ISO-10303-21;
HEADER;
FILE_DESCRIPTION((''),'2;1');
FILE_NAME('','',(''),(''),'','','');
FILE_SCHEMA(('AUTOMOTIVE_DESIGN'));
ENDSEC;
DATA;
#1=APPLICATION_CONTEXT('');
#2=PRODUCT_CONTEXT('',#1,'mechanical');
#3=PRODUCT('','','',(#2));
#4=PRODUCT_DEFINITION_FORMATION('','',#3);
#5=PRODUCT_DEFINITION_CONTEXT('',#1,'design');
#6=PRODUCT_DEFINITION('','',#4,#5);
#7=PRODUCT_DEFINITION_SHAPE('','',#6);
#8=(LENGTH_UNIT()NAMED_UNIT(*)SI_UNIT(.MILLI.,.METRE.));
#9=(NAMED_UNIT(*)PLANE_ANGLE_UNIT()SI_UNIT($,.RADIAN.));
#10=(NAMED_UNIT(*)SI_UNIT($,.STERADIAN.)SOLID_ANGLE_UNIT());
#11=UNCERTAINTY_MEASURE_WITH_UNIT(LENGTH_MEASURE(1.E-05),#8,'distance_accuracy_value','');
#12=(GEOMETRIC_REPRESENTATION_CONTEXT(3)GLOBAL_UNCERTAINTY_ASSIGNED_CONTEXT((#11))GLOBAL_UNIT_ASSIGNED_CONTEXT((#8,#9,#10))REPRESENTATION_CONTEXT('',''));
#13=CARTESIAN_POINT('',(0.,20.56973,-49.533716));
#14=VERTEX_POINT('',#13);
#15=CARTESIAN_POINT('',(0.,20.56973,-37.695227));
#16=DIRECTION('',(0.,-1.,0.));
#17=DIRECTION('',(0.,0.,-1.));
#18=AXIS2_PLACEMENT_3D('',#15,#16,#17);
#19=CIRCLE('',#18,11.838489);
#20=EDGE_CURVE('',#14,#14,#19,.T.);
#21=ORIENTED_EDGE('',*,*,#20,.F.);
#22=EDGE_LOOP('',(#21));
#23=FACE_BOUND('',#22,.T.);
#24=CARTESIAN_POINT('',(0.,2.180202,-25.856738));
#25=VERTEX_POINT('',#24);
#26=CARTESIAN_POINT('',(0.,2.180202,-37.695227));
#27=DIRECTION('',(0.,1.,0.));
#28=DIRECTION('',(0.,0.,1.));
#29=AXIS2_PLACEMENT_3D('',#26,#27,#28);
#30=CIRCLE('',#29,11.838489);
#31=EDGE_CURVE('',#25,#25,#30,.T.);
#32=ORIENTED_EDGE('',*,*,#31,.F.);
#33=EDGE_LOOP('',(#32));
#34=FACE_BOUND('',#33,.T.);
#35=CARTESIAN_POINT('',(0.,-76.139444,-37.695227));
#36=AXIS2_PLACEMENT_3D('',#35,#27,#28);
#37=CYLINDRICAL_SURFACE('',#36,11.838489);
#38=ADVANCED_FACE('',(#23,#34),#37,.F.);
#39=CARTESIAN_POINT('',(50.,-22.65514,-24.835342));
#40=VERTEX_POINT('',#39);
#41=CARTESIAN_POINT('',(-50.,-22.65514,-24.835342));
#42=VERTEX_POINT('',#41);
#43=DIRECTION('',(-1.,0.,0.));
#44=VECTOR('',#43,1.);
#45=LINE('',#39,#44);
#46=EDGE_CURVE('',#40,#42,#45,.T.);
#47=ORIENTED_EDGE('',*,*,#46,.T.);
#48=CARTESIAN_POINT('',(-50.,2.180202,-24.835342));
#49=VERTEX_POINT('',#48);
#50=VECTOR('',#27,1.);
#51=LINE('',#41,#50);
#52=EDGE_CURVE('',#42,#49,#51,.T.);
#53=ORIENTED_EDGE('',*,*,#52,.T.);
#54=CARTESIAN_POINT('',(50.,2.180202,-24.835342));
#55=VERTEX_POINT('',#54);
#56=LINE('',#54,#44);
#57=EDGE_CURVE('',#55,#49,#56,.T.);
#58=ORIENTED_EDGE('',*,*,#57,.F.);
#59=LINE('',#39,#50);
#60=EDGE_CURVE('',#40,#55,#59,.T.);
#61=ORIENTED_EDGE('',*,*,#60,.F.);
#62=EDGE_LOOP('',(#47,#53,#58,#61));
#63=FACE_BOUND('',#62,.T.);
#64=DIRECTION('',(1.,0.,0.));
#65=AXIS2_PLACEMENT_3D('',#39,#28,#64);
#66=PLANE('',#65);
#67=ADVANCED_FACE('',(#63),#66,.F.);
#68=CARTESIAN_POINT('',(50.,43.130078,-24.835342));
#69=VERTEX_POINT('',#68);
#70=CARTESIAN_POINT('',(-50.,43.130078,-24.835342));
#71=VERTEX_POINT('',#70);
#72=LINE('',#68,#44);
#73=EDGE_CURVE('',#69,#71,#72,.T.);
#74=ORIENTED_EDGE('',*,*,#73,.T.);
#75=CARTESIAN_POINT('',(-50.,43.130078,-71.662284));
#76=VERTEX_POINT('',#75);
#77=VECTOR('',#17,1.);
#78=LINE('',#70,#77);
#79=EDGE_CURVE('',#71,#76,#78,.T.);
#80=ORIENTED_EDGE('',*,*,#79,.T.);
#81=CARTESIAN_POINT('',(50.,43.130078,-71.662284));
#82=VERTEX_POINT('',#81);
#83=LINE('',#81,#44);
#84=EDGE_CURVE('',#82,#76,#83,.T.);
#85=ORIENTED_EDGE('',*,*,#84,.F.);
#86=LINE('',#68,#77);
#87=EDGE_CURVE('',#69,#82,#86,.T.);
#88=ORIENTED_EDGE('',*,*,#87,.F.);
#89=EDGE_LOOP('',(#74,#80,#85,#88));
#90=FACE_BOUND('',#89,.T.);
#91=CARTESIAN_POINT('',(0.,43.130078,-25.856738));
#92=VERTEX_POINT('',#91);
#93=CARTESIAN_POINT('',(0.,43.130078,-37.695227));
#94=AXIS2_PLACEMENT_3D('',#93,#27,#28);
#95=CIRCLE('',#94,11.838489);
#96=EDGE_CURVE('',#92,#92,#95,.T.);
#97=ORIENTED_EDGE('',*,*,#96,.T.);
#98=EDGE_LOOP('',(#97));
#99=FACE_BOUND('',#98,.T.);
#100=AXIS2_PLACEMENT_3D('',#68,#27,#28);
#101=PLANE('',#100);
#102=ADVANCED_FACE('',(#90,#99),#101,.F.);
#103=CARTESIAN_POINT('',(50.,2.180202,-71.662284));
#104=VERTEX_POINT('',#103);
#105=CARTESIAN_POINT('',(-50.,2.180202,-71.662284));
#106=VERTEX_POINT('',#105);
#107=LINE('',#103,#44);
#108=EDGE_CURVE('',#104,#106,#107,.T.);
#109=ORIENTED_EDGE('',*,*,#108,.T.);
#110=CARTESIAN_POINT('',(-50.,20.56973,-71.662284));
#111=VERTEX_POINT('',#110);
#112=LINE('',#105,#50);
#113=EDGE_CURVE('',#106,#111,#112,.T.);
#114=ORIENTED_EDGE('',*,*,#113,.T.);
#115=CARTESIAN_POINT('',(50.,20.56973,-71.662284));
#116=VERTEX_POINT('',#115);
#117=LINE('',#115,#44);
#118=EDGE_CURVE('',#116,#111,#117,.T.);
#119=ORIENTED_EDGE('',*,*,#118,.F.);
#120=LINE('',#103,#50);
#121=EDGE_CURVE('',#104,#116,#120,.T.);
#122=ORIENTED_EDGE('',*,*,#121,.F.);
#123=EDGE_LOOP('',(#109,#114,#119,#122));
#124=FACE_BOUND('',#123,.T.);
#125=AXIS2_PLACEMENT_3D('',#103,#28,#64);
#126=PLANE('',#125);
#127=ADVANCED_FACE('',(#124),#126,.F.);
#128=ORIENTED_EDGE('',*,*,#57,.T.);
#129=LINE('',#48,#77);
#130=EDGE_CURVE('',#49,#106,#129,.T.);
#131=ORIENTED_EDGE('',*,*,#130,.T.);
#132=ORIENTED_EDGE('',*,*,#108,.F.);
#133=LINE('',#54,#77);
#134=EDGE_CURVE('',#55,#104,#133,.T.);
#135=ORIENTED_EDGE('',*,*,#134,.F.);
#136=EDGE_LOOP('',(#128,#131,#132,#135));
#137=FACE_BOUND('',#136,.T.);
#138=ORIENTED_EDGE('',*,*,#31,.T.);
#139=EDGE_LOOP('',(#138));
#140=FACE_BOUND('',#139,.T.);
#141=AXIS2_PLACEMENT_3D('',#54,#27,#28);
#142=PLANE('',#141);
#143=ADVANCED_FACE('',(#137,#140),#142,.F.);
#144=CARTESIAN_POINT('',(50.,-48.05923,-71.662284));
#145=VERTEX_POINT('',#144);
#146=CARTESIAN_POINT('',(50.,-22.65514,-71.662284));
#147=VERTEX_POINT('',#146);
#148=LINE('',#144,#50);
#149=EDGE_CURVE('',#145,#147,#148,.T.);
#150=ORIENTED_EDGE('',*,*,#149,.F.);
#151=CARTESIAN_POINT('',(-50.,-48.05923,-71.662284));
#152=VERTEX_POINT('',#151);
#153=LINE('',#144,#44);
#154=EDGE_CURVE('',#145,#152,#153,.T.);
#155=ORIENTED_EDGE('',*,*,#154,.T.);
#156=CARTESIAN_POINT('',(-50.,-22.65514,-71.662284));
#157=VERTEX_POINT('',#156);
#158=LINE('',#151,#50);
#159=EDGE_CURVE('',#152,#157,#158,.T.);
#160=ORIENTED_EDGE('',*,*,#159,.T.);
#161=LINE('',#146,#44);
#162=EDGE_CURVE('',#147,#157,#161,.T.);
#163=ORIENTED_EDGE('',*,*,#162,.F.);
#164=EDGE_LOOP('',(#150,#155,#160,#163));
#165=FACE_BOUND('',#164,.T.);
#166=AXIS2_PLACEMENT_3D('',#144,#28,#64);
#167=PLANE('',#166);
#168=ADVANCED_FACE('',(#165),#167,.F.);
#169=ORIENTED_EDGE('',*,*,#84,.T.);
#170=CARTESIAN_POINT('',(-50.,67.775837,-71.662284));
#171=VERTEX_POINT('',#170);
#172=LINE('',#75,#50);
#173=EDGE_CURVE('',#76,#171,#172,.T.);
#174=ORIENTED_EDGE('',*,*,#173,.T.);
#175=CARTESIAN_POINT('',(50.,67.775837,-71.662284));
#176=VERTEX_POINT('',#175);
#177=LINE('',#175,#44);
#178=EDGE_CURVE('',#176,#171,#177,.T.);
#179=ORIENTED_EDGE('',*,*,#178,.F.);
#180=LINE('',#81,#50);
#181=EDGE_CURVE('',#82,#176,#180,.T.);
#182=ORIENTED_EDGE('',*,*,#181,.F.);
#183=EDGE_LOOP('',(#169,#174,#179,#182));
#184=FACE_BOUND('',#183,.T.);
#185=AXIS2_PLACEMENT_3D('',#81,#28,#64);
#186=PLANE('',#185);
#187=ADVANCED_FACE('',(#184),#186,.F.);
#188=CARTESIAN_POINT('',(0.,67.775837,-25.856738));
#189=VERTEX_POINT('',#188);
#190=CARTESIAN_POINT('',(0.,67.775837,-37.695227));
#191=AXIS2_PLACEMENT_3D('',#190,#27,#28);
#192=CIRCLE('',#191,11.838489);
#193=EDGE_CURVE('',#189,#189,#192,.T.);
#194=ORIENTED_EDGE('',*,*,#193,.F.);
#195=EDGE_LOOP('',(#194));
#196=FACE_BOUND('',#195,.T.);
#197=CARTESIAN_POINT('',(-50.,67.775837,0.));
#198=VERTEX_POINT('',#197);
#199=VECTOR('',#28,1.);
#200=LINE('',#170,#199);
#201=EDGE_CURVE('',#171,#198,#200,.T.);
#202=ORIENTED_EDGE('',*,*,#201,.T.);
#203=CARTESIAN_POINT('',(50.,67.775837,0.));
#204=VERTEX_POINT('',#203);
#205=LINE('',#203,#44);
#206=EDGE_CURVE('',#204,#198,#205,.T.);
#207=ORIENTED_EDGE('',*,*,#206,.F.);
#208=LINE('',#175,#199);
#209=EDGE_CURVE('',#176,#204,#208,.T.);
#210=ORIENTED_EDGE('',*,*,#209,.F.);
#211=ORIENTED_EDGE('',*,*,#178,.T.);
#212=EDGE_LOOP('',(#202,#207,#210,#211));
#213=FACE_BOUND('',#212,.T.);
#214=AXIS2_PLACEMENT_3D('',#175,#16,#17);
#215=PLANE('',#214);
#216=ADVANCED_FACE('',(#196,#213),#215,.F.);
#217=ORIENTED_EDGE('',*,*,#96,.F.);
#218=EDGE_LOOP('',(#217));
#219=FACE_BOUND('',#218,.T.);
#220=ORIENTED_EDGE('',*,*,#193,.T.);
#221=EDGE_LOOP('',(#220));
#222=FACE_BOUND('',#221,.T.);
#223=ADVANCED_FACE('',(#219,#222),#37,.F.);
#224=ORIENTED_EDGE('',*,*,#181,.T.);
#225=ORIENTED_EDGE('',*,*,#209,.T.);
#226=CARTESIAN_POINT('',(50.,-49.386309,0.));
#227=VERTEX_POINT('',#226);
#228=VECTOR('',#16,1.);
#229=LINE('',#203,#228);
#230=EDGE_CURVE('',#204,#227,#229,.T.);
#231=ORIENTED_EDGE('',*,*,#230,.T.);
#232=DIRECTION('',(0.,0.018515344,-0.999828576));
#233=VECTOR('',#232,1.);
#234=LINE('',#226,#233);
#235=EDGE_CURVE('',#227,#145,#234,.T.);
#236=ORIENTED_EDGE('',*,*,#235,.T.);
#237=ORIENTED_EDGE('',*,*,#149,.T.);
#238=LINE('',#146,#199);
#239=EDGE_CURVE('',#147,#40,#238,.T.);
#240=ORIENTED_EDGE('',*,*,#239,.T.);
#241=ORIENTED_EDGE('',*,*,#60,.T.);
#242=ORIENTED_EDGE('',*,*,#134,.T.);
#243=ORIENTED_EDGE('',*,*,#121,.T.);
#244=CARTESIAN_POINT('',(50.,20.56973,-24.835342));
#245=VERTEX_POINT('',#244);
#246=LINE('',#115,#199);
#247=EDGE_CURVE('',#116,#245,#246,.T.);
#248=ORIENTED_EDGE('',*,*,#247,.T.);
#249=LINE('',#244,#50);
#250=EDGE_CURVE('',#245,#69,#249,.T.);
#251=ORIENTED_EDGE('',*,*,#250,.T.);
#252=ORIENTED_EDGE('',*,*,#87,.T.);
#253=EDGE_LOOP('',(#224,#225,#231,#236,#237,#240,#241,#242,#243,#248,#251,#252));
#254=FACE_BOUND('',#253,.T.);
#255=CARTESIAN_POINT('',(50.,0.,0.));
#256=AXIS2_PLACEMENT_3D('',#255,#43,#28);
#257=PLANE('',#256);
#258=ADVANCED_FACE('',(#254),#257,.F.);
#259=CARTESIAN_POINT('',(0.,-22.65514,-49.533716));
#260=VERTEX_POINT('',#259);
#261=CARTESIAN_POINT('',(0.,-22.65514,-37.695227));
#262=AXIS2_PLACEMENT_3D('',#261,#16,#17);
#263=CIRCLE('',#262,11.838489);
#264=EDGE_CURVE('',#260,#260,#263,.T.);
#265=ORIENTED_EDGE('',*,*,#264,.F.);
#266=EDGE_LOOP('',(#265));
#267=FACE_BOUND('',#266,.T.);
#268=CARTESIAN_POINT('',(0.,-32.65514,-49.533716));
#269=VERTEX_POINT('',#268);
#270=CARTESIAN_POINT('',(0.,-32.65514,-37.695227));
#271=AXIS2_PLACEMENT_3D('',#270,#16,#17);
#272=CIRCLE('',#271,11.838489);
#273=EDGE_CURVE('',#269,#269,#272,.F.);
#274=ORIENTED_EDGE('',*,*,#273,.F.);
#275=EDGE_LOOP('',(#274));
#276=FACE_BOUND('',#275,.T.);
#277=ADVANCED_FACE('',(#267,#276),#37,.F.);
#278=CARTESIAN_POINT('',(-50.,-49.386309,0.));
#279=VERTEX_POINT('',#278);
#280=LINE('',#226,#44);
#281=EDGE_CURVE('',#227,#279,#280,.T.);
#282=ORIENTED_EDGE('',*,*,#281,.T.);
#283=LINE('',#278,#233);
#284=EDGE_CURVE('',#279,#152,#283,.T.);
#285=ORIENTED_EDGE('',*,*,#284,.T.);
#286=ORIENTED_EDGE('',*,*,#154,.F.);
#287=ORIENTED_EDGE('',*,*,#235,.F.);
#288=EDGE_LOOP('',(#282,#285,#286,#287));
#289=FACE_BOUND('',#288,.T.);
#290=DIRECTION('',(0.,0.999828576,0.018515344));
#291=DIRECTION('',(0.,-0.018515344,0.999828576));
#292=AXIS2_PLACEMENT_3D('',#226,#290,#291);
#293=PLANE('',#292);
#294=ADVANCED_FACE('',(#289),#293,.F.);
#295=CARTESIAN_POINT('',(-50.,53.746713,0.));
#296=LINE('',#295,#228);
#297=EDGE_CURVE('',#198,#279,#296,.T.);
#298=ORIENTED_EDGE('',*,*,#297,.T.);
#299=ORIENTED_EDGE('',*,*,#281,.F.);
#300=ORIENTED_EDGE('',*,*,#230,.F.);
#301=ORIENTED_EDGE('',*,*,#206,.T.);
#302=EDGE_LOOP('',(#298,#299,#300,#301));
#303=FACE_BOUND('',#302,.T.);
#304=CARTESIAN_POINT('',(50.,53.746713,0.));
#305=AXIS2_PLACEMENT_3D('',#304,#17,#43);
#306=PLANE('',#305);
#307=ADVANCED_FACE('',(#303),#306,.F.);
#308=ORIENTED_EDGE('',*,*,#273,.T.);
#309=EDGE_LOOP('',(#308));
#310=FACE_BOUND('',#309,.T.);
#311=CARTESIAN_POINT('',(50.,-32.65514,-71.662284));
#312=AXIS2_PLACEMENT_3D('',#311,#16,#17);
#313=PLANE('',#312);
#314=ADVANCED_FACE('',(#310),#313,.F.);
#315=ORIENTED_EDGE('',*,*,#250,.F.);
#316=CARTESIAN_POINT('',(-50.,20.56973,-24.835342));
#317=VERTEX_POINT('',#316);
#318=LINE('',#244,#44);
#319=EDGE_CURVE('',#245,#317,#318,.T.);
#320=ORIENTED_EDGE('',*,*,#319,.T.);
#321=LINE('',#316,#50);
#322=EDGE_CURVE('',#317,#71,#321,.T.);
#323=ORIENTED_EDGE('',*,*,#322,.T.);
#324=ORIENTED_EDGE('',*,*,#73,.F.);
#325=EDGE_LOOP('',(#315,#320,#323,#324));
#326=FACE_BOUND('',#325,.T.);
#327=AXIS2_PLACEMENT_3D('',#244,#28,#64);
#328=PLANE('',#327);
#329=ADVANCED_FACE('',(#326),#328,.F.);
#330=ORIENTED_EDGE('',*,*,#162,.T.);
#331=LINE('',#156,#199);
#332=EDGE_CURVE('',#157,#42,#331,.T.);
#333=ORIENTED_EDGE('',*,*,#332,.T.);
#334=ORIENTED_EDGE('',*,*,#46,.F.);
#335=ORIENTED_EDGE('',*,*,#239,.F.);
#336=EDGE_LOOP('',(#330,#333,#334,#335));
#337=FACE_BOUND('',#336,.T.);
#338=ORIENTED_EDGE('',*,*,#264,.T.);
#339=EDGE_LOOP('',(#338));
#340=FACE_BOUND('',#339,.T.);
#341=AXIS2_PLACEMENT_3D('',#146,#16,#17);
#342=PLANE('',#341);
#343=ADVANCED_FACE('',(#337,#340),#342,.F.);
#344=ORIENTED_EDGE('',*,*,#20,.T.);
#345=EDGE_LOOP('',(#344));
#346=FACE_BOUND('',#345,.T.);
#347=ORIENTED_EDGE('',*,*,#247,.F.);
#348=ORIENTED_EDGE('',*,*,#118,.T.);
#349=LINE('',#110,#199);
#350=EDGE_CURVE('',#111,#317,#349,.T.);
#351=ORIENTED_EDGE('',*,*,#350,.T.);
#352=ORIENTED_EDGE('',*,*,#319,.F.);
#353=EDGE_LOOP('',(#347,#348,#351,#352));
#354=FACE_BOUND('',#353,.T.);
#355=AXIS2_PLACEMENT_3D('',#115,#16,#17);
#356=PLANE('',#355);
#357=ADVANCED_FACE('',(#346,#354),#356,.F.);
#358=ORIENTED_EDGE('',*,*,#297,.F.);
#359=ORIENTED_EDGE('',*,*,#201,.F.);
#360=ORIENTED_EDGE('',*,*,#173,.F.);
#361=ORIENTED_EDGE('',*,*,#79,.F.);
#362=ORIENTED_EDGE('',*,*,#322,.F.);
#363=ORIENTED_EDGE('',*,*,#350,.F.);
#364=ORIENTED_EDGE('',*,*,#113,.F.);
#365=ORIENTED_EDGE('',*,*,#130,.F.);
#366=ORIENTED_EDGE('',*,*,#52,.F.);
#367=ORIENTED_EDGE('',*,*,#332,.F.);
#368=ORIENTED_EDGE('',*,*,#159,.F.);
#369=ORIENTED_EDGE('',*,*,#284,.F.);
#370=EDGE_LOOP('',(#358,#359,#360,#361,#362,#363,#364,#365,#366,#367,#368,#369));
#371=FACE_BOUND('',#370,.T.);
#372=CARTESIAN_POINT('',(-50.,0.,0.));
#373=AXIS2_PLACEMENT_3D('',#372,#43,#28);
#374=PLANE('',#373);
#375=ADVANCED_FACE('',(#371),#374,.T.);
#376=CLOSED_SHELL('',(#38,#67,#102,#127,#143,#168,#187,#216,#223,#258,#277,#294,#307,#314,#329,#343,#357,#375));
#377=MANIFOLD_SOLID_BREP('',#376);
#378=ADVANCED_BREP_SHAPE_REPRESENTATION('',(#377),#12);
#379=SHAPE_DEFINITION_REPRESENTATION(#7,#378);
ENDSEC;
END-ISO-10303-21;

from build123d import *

# Parameters (mm, degrees)
BOSS_EXTRUDE1_DEPTH = 50
SKETCH2_R           = 11.83848923
CUT_EXTRUDE1_DEPTH  = 100.430977097


with BuildPart() as part:
    # Sketch1 → Boss-Extrude1 (new, symmetric)
    with BuildSketch(Plane(origin=(0, 0, 0), x_dir=(0, 0, -1), z_dir=(1, 0, 0))):
        Polygon((0, 53.746712803), (0, -49.386309295), (71.662283737, -48.059229966), (71.662283737, -22.655139964), (24.835341718, -22.655139964), (24.835341718, 2.180201754), (71.662283737, 2.180201754), (71.662283737, 20.569729591), (24.835341718, 20.569729591), (24.835341718, 43.130078175), (71.662283737, 43.130078175), (71.662283737, 67.775837132), (0, 67.775837132), align=None)
    extrude(amount=BOSS_EXTRUDE1_DEPTH, both=True)

    # Sketch2 → Cut-Extrude1 (cut)
    with BuildSketch(Plane(origin=(0, 67.775837132, 0), x_dir=(1, 0, 0), z_dir=(0, 1, 0))):
        with Locations(Location((0, 37.695226778, 0), (0, 0, 270))):
            Circle(SKETCH2_R)
    extrude(amount=-CUT_EXTRUDE1_DEPTH, mode=Mode.SUBTRACT)


solid = part.part
